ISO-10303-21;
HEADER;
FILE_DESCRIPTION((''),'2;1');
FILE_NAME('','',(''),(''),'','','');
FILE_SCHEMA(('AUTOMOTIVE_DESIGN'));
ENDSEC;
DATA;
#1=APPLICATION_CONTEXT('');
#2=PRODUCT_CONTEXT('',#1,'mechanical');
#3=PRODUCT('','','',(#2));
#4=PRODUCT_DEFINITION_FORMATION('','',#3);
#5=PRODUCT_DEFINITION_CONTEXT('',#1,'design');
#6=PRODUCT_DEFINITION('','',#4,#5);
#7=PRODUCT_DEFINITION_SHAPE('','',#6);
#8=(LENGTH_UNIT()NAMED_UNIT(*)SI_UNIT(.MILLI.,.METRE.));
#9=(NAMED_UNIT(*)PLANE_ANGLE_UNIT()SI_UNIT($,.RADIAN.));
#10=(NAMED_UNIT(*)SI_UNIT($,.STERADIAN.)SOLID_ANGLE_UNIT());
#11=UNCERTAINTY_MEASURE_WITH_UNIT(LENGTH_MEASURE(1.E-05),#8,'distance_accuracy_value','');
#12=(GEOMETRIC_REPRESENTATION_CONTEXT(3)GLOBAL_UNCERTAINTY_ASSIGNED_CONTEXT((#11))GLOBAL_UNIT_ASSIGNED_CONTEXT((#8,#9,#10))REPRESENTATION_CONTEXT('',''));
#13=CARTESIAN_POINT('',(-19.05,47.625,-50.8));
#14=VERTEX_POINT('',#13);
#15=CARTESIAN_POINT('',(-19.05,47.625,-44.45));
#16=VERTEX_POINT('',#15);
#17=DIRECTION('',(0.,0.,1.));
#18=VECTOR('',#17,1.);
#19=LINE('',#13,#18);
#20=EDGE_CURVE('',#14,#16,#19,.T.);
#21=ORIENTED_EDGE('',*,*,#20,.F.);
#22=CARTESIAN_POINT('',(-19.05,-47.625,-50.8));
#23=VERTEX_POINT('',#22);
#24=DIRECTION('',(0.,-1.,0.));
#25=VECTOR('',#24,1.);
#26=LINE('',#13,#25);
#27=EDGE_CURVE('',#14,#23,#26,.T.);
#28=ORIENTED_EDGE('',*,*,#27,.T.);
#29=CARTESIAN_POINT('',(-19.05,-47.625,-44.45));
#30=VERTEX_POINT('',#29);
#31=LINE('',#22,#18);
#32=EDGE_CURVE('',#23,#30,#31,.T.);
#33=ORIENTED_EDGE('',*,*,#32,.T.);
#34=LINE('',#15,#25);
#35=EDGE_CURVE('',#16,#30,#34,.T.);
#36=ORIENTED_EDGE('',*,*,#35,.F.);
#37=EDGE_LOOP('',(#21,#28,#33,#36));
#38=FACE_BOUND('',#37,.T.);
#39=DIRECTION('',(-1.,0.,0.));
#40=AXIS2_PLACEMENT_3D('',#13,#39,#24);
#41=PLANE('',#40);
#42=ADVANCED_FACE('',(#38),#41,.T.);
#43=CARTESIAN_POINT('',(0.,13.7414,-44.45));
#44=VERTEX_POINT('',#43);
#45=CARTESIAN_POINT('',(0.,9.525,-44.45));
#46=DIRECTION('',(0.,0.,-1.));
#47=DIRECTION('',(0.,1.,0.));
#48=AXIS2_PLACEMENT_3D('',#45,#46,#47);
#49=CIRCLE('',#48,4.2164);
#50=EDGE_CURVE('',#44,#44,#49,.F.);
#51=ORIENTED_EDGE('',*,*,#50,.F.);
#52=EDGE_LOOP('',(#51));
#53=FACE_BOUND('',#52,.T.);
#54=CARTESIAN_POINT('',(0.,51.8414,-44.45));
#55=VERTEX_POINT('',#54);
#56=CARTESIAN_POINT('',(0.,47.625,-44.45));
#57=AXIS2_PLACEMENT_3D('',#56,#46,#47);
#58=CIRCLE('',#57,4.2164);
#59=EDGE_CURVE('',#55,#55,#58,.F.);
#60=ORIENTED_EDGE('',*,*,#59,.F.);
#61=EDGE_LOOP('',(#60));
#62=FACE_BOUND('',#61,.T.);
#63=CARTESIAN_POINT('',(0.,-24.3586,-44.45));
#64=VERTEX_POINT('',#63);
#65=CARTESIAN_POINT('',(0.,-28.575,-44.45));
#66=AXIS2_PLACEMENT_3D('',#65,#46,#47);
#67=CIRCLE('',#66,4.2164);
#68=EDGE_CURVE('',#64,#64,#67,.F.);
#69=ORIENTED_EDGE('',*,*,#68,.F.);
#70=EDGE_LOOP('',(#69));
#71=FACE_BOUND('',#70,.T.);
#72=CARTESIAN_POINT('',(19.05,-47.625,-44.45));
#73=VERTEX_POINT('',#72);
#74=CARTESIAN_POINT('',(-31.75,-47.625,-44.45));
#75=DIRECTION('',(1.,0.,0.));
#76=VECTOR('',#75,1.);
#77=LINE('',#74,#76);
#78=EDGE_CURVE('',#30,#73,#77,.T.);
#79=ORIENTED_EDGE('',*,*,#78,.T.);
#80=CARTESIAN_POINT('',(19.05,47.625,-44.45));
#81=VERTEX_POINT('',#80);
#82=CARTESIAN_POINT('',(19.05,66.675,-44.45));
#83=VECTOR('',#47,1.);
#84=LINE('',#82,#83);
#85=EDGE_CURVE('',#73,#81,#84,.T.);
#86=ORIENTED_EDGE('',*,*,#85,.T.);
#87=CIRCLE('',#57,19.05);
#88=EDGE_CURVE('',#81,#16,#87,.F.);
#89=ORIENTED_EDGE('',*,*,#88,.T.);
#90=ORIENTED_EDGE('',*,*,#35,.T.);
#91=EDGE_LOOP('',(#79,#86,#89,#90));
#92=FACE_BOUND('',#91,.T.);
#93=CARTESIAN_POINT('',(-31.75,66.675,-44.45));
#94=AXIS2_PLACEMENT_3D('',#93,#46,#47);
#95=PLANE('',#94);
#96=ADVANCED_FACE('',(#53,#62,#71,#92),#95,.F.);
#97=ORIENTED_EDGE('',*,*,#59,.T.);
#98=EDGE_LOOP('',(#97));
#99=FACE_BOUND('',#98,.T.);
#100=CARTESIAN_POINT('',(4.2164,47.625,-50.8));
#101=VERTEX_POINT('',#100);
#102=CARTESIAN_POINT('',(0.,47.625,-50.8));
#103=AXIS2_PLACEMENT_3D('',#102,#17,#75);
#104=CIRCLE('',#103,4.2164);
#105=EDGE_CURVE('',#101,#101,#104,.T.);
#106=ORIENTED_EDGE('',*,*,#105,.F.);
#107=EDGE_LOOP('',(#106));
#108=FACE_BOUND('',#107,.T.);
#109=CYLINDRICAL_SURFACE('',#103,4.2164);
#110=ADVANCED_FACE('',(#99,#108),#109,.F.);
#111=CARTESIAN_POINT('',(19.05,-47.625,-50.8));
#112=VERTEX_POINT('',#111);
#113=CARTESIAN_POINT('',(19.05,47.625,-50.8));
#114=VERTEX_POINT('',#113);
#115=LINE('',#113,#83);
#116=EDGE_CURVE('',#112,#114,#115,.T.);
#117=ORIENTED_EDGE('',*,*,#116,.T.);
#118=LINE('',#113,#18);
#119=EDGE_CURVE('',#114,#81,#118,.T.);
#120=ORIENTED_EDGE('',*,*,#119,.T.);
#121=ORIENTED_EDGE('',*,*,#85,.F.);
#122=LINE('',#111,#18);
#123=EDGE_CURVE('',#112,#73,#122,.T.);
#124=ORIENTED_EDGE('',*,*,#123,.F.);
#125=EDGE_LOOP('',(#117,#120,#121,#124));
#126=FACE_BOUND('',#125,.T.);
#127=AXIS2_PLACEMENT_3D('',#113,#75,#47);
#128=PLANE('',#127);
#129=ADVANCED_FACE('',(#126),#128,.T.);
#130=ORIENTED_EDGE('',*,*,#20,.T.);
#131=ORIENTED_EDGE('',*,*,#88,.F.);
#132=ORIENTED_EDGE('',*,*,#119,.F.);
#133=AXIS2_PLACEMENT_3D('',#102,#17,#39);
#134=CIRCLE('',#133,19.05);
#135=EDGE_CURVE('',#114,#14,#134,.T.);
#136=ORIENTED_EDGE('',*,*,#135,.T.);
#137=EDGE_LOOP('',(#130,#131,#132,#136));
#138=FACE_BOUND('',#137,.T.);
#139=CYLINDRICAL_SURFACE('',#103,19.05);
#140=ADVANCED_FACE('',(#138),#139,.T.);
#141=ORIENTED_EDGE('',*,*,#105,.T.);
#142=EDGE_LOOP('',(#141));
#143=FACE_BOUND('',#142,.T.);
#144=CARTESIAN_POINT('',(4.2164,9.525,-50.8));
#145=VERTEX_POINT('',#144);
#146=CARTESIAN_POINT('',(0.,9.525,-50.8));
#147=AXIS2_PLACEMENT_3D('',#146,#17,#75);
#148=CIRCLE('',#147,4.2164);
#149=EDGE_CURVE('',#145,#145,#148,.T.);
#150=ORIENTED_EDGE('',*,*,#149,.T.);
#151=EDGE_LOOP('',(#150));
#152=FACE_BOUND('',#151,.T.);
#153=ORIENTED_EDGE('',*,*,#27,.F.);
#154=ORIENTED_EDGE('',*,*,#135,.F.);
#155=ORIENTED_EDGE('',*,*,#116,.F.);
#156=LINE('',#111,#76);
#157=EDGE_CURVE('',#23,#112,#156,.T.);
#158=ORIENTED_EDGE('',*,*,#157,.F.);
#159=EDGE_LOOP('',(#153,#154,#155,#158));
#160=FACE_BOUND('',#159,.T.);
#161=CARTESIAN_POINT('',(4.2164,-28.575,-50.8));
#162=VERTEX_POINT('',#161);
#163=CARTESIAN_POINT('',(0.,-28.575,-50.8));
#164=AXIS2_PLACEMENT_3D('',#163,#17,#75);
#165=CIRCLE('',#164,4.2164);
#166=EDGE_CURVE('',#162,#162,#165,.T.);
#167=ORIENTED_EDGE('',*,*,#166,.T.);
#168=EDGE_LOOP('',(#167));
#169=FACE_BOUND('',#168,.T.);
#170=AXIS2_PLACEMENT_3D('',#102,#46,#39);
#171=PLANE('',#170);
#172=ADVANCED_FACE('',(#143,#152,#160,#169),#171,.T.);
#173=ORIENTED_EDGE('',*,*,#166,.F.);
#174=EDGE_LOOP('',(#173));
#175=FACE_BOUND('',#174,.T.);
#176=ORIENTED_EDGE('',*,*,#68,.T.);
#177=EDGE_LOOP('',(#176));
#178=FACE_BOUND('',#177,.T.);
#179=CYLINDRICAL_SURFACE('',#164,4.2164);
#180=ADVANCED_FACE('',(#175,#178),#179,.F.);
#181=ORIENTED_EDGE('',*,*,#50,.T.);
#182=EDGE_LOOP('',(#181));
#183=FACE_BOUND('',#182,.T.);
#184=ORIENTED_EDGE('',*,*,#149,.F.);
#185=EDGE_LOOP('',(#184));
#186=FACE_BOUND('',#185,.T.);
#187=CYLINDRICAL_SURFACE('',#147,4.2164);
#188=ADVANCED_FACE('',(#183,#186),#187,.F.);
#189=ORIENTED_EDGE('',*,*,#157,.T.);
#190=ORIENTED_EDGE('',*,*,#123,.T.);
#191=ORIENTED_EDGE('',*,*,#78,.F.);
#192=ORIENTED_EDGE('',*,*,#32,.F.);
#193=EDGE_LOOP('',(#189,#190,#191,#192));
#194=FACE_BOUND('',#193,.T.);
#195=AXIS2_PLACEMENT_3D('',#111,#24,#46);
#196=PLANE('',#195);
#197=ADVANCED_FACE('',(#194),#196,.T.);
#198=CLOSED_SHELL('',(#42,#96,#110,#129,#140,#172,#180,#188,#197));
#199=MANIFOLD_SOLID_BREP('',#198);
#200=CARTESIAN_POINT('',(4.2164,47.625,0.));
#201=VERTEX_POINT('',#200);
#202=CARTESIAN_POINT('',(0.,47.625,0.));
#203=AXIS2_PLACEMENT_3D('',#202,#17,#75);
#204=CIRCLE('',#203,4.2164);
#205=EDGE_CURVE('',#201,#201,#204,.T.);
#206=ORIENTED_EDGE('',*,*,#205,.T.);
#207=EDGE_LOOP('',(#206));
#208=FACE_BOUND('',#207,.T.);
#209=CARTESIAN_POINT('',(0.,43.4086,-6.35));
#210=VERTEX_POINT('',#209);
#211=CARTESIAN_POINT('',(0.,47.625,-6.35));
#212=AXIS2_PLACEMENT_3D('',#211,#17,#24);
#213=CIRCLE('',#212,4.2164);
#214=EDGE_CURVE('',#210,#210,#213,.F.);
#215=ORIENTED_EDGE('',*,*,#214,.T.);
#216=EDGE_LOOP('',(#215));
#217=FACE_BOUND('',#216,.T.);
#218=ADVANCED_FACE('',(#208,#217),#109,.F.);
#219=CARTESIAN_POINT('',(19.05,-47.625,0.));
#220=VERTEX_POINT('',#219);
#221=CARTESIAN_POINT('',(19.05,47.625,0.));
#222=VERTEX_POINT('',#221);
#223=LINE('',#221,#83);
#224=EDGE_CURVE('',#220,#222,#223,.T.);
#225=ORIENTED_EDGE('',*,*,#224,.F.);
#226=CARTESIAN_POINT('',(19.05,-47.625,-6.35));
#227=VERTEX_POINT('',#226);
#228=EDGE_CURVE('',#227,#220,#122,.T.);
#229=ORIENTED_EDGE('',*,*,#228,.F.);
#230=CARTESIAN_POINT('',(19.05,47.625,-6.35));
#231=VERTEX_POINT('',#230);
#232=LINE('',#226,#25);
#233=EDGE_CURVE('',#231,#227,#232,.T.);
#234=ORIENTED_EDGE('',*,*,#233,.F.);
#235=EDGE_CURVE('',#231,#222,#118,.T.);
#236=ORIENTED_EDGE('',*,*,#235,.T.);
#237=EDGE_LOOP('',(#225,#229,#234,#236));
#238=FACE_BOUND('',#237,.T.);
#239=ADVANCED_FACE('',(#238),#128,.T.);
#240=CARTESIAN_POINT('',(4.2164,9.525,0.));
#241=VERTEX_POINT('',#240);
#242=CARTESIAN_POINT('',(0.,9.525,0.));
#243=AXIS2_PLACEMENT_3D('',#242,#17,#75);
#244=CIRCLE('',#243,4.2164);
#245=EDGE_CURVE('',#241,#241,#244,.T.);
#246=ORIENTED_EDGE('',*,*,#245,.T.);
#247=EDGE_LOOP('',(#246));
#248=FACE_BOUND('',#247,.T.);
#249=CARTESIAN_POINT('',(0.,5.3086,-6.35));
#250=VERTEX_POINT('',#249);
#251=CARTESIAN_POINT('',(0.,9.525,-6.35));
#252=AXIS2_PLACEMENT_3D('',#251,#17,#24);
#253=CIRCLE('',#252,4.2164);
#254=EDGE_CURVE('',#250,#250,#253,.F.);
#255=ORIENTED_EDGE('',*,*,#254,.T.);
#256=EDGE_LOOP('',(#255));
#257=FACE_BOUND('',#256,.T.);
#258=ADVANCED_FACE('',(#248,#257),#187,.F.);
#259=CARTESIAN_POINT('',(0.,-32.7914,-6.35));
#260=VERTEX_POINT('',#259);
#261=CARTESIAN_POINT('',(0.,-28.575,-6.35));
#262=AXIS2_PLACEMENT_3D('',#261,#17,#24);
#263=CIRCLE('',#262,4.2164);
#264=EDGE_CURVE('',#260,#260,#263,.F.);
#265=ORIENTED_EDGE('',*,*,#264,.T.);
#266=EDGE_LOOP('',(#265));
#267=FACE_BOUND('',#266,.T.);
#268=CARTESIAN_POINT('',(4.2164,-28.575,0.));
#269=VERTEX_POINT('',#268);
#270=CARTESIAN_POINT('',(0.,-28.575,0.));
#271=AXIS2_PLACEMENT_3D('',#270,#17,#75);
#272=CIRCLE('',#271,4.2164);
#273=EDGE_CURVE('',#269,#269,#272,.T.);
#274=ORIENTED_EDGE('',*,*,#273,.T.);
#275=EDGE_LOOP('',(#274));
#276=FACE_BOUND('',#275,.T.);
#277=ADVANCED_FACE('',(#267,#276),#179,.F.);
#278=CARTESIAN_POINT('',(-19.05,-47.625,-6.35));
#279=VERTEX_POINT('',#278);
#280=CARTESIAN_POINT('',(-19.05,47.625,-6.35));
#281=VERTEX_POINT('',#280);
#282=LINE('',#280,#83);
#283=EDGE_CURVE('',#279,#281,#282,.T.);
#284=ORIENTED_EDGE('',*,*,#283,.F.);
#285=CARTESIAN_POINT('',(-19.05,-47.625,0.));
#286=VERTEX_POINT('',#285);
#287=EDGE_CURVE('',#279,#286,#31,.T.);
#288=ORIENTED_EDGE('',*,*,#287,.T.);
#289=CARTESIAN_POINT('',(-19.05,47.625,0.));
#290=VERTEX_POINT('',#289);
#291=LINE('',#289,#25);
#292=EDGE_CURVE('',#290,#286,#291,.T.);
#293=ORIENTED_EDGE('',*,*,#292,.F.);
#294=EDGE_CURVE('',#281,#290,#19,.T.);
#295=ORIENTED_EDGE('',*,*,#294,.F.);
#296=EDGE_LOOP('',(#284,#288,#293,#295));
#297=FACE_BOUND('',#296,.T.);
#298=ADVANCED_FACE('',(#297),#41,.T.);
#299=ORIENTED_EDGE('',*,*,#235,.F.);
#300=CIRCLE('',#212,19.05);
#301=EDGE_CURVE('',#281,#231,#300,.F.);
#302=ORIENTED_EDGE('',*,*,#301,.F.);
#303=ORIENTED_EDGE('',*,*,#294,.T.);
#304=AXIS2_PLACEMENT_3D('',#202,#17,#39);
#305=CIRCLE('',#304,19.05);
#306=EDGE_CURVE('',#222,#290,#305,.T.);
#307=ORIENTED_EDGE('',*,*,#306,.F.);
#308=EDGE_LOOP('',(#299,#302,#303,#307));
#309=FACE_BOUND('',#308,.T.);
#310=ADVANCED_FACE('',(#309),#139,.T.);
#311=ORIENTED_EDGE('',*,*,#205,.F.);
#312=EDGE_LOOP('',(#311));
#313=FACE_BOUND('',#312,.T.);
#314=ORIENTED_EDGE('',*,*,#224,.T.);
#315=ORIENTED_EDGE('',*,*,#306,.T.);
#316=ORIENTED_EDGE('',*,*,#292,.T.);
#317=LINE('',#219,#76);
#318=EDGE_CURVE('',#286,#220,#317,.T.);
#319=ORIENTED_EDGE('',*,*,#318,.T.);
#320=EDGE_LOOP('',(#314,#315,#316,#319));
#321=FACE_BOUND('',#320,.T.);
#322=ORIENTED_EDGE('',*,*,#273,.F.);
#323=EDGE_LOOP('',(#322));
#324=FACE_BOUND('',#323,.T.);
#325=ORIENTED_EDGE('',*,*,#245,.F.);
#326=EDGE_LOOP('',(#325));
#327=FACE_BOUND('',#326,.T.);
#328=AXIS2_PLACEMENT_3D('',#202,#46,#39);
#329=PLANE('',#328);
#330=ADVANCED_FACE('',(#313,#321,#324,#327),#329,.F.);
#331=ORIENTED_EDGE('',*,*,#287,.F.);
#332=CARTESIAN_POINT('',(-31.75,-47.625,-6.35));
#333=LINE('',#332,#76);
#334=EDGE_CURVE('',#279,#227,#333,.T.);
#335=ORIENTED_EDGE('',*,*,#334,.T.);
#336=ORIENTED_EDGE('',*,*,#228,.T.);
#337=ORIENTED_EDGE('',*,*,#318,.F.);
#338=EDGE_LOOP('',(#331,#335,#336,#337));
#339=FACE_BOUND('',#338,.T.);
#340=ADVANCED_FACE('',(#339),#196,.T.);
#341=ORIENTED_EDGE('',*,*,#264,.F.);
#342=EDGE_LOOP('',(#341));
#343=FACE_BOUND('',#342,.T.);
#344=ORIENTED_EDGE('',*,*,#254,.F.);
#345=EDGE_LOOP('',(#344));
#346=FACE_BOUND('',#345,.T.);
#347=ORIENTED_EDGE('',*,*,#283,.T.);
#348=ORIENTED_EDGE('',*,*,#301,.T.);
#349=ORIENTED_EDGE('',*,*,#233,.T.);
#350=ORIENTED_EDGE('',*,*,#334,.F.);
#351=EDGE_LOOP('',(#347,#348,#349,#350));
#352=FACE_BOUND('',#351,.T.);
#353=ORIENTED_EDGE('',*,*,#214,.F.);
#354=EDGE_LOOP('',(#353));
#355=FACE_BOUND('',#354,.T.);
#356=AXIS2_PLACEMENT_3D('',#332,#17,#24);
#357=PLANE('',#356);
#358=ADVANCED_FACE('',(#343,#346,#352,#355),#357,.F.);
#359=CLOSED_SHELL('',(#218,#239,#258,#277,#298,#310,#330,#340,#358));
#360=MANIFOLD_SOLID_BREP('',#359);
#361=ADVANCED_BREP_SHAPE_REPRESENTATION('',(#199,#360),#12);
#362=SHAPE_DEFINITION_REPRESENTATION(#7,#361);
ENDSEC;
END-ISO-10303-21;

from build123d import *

# Parameters (mm, degrees)
SKETCH1_R           = 4.2164
BOSS_EXTRUDE1_DEPTH = 50.8
SKETCH2_W           = 38.1
SKETCH2_H           = 114.3
CUT_EXTRUDE1_DEPTH  = 50.8


with BuildPart() as part:
    # Sketch1 → Boss-Extrude1 (new body)
    with BuildSketch(Plane.XY):
        with BuildLine():
            Line((19.05, 47.625), (19.05, -47.625))
            Line((19.05, -47.625), (-19.05, -47.625))
            Line((-19.05, -47.625), (-19.05, 47.625))
            ThreePointArc((-19.05, 47.625), (0, 66.675), (19.05, 47.625))
        make_face()
        with Locations((0, 47.625)):
            Circle(SKETCH1_R, mode=Mode.SUBTRACT)
        with Locations((0, 9.525)):
            Circle(SKETCH1_R, mode=Mode.SUBTRACT)
        with Locations((0, -28.575)):
            Circle(SKETCH1_R, mode=Mode.SUBTRACT)
    extrude(amount=-BOSS_EXTRUDE1_DEPTH)

    # Sketch2 → Cut-Extrude1 (cut)
    with BuildSketch(Plane(origin=(19.05, 0, 0), x_dir=(0, 0, -1), z_dir=(1, 0, 0))):
        with Locations((25.4, 9.525)):
            Rectangle(SKETCH2_W, SKETCH2_H)
    extrude(amount=-CUT_EXTRUDE1_DEPTH, mode=Mode.SUBTRACT)


with BuildPart() as cut_extrude1_piece_1:
    # of the separate pieces the step leaves, piece 1, a body of its own (cut_extrude1_pieces)
    add(part.part.solids().sort_by_distance((19.05, 47.625, 0))[0])


with BuildPart() as cut_extrude1_piece_2:
    # of the separate pieces the step leaves, piece 2, a body of its own (cut_extrude1_pieces)
    add(part.part.solids().sort_by_distance((19.05, 47.625, -44.45))[0])


solid = Compound([cut_extrude1_piece_1.part, cut_extrude1_piece_2.part])
